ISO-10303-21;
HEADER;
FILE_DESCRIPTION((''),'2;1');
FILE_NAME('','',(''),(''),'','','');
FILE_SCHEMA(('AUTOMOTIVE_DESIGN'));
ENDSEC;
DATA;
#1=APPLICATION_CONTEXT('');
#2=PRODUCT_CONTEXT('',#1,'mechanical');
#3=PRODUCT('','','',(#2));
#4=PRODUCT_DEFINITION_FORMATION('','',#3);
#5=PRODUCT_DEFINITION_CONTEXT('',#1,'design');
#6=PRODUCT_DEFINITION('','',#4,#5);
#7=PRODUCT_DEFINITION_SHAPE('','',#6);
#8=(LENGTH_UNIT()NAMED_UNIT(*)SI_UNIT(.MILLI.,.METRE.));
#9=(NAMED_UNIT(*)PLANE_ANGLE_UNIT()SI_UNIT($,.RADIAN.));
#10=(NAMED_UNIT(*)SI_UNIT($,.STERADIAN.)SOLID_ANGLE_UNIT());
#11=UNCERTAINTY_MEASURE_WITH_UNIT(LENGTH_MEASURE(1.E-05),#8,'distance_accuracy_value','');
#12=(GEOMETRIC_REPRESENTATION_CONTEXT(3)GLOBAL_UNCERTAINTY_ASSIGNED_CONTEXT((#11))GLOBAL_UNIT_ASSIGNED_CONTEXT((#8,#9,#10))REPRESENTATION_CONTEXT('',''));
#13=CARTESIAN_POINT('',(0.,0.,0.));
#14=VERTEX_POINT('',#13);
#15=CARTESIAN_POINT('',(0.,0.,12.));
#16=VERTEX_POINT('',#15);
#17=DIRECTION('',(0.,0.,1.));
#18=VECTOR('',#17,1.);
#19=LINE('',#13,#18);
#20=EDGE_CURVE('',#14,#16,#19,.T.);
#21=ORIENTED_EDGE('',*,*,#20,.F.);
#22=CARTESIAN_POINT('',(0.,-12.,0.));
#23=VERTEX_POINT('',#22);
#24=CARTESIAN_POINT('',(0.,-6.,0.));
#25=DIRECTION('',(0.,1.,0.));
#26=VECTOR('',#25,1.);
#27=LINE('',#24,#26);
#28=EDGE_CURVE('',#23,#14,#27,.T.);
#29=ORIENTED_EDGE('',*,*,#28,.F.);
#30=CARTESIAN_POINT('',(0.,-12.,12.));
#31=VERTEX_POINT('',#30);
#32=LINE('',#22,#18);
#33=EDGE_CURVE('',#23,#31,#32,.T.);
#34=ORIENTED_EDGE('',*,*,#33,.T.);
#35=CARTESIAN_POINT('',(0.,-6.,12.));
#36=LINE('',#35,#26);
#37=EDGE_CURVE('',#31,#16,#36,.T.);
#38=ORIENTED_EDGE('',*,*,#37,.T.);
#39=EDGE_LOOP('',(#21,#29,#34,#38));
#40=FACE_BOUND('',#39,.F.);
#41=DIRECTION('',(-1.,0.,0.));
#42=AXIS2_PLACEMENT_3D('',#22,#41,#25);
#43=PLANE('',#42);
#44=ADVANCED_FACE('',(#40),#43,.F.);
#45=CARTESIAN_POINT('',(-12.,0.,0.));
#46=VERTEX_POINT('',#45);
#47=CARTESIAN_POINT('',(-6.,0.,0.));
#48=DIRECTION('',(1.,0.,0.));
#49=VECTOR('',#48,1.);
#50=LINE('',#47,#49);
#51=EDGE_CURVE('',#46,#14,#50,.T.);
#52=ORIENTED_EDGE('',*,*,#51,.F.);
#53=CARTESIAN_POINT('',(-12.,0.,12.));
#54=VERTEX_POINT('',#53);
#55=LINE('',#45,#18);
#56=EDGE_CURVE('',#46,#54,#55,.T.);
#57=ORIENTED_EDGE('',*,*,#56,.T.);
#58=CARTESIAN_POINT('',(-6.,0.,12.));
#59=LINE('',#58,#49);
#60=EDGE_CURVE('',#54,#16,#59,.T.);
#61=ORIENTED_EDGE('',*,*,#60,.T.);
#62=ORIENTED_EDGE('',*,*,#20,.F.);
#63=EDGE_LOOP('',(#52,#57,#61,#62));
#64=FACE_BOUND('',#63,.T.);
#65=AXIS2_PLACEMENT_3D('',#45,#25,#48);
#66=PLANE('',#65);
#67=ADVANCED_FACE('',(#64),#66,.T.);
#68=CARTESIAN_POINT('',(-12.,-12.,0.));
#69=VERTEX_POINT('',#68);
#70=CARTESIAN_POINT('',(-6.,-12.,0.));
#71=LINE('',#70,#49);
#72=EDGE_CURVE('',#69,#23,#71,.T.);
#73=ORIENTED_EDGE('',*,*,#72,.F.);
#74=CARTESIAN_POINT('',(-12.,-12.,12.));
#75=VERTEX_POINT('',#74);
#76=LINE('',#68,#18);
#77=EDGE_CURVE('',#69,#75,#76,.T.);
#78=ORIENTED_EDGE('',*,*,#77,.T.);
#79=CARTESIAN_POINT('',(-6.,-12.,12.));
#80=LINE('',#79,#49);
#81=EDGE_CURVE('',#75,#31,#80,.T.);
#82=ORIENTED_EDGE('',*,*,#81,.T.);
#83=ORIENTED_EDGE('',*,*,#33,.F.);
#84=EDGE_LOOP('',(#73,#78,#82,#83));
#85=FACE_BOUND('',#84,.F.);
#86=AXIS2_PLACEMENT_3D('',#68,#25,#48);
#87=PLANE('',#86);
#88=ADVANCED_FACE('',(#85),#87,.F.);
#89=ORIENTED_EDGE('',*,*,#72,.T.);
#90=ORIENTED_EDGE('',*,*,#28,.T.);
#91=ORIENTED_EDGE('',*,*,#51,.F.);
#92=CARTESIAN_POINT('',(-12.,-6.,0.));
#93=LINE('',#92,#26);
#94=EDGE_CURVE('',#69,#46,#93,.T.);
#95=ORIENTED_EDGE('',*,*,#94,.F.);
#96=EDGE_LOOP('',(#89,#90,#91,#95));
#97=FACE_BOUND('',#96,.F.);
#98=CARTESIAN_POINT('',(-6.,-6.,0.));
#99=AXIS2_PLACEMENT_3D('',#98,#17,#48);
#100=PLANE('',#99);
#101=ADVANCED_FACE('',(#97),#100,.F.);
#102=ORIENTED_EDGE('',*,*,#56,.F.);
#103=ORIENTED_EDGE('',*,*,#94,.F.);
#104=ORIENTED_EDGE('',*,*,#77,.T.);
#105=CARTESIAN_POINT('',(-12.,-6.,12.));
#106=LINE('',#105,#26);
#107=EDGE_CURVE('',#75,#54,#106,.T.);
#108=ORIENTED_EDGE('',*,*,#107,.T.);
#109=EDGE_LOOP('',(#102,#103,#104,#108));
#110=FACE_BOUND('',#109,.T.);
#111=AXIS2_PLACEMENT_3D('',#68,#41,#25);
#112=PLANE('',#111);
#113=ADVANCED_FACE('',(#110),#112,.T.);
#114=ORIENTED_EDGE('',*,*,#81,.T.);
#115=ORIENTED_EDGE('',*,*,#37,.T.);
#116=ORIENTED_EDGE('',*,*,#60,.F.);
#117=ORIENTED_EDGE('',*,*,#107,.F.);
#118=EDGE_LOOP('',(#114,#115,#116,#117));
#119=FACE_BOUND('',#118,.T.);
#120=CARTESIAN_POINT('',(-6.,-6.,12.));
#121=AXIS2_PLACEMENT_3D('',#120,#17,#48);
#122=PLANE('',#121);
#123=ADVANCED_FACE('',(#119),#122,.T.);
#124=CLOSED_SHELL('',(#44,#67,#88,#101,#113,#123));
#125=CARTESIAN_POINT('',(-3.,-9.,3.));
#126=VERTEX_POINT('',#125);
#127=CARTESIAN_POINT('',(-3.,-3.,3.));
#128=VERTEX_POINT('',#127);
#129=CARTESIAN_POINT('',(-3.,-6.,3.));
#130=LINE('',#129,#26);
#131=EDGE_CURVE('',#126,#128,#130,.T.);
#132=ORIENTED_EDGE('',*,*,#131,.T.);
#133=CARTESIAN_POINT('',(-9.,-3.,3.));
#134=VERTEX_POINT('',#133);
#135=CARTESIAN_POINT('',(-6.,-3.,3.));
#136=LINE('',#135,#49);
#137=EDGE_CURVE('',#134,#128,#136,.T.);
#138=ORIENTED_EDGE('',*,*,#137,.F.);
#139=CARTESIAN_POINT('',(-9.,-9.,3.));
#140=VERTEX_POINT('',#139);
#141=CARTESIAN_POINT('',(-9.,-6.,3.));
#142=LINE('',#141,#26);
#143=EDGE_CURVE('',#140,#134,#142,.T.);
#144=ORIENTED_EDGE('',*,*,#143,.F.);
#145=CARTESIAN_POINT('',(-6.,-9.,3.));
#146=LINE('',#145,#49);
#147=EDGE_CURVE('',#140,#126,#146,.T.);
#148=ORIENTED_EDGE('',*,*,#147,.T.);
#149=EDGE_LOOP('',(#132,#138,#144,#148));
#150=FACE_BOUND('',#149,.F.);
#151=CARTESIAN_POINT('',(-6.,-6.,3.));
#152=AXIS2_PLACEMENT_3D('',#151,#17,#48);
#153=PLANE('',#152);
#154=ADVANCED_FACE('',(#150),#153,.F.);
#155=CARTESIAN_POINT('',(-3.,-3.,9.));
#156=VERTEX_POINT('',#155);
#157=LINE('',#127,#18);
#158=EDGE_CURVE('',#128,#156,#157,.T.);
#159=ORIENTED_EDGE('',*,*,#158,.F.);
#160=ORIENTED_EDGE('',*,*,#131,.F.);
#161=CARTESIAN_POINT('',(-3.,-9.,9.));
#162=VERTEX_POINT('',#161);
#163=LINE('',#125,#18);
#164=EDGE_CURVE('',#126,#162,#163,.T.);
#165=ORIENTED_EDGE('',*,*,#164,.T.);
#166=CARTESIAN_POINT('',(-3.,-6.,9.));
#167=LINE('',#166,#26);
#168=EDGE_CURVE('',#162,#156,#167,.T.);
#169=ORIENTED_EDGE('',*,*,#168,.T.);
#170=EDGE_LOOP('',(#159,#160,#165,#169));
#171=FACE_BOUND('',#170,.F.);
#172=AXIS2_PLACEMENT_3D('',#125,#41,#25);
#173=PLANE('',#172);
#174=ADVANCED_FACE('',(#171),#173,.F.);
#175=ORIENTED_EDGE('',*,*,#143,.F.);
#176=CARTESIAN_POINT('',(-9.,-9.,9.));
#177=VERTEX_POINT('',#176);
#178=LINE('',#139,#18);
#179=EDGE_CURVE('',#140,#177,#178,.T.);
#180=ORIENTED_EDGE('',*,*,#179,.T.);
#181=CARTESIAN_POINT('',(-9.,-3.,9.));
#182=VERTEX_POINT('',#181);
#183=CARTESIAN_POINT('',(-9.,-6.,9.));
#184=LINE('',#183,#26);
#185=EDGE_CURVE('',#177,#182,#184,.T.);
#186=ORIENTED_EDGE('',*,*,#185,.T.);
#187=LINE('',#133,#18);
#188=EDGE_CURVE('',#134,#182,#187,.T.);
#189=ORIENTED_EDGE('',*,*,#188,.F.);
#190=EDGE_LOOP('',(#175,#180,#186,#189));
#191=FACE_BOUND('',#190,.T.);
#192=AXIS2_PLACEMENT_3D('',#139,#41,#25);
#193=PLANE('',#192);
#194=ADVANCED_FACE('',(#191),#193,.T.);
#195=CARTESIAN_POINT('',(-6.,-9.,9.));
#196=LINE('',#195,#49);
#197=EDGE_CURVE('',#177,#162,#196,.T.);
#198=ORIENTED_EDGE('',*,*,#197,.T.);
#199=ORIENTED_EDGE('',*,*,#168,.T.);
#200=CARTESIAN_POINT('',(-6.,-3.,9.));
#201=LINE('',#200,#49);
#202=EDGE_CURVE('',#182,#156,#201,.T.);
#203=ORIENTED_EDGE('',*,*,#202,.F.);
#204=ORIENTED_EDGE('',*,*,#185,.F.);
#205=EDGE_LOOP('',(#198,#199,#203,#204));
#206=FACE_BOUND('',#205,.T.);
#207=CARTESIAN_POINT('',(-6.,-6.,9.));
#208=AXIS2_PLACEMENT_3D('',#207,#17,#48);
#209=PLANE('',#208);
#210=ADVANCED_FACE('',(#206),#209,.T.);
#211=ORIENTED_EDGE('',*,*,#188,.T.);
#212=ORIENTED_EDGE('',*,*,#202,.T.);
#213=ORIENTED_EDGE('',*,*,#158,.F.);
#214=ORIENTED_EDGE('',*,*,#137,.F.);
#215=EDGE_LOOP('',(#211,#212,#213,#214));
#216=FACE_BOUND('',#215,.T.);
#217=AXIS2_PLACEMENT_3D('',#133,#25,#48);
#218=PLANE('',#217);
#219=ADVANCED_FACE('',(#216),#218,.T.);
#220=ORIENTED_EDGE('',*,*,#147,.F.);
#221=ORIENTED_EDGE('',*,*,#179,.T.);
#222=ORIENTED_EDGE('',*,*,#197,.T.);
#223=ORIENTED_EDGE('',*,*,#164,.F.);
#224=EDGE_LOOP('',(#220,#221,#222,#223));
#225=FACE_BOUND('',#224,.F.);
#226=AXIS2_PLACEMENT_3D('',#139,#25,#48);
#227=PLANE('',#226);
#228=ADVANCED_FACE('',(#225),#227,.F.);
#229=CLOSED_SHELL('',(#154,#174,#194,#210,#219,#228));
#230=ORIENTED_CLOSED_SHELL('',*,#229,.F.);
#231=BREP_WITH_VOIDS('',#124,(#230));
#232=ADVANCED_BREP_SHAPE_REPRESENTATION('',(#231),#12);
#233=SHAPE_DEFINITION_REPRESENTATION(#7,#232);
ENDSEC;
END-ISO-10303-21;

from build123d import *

# Parameters (mm, degrees)
F0_W     = 12
F0_H     = 12
F1_DEPTH = 12
F3_START = 3
F2_W     = 6
F2_H     = 6
F3_DEPTH = 6


with BuildPart() as f1:
    # F0 (on Top) → F1 (new body)
    with BuildSketch(Plane.XY):
        with Locations((-6, -6)):
            Rectangle(F0_W, F0_H)
    extrude(amount=F1_DEPTH)

    # F2 (on Top) → F3 (cut)
    with BuildSketch(Plane.XY.offset(F3_START)):
        with Locations((-6, -6)):
            Rectangle(F2_W, F2_H)
    extrude(amount=F3_DEPTH, mode=Mode.SUBTRACT)


solid = f1.part
